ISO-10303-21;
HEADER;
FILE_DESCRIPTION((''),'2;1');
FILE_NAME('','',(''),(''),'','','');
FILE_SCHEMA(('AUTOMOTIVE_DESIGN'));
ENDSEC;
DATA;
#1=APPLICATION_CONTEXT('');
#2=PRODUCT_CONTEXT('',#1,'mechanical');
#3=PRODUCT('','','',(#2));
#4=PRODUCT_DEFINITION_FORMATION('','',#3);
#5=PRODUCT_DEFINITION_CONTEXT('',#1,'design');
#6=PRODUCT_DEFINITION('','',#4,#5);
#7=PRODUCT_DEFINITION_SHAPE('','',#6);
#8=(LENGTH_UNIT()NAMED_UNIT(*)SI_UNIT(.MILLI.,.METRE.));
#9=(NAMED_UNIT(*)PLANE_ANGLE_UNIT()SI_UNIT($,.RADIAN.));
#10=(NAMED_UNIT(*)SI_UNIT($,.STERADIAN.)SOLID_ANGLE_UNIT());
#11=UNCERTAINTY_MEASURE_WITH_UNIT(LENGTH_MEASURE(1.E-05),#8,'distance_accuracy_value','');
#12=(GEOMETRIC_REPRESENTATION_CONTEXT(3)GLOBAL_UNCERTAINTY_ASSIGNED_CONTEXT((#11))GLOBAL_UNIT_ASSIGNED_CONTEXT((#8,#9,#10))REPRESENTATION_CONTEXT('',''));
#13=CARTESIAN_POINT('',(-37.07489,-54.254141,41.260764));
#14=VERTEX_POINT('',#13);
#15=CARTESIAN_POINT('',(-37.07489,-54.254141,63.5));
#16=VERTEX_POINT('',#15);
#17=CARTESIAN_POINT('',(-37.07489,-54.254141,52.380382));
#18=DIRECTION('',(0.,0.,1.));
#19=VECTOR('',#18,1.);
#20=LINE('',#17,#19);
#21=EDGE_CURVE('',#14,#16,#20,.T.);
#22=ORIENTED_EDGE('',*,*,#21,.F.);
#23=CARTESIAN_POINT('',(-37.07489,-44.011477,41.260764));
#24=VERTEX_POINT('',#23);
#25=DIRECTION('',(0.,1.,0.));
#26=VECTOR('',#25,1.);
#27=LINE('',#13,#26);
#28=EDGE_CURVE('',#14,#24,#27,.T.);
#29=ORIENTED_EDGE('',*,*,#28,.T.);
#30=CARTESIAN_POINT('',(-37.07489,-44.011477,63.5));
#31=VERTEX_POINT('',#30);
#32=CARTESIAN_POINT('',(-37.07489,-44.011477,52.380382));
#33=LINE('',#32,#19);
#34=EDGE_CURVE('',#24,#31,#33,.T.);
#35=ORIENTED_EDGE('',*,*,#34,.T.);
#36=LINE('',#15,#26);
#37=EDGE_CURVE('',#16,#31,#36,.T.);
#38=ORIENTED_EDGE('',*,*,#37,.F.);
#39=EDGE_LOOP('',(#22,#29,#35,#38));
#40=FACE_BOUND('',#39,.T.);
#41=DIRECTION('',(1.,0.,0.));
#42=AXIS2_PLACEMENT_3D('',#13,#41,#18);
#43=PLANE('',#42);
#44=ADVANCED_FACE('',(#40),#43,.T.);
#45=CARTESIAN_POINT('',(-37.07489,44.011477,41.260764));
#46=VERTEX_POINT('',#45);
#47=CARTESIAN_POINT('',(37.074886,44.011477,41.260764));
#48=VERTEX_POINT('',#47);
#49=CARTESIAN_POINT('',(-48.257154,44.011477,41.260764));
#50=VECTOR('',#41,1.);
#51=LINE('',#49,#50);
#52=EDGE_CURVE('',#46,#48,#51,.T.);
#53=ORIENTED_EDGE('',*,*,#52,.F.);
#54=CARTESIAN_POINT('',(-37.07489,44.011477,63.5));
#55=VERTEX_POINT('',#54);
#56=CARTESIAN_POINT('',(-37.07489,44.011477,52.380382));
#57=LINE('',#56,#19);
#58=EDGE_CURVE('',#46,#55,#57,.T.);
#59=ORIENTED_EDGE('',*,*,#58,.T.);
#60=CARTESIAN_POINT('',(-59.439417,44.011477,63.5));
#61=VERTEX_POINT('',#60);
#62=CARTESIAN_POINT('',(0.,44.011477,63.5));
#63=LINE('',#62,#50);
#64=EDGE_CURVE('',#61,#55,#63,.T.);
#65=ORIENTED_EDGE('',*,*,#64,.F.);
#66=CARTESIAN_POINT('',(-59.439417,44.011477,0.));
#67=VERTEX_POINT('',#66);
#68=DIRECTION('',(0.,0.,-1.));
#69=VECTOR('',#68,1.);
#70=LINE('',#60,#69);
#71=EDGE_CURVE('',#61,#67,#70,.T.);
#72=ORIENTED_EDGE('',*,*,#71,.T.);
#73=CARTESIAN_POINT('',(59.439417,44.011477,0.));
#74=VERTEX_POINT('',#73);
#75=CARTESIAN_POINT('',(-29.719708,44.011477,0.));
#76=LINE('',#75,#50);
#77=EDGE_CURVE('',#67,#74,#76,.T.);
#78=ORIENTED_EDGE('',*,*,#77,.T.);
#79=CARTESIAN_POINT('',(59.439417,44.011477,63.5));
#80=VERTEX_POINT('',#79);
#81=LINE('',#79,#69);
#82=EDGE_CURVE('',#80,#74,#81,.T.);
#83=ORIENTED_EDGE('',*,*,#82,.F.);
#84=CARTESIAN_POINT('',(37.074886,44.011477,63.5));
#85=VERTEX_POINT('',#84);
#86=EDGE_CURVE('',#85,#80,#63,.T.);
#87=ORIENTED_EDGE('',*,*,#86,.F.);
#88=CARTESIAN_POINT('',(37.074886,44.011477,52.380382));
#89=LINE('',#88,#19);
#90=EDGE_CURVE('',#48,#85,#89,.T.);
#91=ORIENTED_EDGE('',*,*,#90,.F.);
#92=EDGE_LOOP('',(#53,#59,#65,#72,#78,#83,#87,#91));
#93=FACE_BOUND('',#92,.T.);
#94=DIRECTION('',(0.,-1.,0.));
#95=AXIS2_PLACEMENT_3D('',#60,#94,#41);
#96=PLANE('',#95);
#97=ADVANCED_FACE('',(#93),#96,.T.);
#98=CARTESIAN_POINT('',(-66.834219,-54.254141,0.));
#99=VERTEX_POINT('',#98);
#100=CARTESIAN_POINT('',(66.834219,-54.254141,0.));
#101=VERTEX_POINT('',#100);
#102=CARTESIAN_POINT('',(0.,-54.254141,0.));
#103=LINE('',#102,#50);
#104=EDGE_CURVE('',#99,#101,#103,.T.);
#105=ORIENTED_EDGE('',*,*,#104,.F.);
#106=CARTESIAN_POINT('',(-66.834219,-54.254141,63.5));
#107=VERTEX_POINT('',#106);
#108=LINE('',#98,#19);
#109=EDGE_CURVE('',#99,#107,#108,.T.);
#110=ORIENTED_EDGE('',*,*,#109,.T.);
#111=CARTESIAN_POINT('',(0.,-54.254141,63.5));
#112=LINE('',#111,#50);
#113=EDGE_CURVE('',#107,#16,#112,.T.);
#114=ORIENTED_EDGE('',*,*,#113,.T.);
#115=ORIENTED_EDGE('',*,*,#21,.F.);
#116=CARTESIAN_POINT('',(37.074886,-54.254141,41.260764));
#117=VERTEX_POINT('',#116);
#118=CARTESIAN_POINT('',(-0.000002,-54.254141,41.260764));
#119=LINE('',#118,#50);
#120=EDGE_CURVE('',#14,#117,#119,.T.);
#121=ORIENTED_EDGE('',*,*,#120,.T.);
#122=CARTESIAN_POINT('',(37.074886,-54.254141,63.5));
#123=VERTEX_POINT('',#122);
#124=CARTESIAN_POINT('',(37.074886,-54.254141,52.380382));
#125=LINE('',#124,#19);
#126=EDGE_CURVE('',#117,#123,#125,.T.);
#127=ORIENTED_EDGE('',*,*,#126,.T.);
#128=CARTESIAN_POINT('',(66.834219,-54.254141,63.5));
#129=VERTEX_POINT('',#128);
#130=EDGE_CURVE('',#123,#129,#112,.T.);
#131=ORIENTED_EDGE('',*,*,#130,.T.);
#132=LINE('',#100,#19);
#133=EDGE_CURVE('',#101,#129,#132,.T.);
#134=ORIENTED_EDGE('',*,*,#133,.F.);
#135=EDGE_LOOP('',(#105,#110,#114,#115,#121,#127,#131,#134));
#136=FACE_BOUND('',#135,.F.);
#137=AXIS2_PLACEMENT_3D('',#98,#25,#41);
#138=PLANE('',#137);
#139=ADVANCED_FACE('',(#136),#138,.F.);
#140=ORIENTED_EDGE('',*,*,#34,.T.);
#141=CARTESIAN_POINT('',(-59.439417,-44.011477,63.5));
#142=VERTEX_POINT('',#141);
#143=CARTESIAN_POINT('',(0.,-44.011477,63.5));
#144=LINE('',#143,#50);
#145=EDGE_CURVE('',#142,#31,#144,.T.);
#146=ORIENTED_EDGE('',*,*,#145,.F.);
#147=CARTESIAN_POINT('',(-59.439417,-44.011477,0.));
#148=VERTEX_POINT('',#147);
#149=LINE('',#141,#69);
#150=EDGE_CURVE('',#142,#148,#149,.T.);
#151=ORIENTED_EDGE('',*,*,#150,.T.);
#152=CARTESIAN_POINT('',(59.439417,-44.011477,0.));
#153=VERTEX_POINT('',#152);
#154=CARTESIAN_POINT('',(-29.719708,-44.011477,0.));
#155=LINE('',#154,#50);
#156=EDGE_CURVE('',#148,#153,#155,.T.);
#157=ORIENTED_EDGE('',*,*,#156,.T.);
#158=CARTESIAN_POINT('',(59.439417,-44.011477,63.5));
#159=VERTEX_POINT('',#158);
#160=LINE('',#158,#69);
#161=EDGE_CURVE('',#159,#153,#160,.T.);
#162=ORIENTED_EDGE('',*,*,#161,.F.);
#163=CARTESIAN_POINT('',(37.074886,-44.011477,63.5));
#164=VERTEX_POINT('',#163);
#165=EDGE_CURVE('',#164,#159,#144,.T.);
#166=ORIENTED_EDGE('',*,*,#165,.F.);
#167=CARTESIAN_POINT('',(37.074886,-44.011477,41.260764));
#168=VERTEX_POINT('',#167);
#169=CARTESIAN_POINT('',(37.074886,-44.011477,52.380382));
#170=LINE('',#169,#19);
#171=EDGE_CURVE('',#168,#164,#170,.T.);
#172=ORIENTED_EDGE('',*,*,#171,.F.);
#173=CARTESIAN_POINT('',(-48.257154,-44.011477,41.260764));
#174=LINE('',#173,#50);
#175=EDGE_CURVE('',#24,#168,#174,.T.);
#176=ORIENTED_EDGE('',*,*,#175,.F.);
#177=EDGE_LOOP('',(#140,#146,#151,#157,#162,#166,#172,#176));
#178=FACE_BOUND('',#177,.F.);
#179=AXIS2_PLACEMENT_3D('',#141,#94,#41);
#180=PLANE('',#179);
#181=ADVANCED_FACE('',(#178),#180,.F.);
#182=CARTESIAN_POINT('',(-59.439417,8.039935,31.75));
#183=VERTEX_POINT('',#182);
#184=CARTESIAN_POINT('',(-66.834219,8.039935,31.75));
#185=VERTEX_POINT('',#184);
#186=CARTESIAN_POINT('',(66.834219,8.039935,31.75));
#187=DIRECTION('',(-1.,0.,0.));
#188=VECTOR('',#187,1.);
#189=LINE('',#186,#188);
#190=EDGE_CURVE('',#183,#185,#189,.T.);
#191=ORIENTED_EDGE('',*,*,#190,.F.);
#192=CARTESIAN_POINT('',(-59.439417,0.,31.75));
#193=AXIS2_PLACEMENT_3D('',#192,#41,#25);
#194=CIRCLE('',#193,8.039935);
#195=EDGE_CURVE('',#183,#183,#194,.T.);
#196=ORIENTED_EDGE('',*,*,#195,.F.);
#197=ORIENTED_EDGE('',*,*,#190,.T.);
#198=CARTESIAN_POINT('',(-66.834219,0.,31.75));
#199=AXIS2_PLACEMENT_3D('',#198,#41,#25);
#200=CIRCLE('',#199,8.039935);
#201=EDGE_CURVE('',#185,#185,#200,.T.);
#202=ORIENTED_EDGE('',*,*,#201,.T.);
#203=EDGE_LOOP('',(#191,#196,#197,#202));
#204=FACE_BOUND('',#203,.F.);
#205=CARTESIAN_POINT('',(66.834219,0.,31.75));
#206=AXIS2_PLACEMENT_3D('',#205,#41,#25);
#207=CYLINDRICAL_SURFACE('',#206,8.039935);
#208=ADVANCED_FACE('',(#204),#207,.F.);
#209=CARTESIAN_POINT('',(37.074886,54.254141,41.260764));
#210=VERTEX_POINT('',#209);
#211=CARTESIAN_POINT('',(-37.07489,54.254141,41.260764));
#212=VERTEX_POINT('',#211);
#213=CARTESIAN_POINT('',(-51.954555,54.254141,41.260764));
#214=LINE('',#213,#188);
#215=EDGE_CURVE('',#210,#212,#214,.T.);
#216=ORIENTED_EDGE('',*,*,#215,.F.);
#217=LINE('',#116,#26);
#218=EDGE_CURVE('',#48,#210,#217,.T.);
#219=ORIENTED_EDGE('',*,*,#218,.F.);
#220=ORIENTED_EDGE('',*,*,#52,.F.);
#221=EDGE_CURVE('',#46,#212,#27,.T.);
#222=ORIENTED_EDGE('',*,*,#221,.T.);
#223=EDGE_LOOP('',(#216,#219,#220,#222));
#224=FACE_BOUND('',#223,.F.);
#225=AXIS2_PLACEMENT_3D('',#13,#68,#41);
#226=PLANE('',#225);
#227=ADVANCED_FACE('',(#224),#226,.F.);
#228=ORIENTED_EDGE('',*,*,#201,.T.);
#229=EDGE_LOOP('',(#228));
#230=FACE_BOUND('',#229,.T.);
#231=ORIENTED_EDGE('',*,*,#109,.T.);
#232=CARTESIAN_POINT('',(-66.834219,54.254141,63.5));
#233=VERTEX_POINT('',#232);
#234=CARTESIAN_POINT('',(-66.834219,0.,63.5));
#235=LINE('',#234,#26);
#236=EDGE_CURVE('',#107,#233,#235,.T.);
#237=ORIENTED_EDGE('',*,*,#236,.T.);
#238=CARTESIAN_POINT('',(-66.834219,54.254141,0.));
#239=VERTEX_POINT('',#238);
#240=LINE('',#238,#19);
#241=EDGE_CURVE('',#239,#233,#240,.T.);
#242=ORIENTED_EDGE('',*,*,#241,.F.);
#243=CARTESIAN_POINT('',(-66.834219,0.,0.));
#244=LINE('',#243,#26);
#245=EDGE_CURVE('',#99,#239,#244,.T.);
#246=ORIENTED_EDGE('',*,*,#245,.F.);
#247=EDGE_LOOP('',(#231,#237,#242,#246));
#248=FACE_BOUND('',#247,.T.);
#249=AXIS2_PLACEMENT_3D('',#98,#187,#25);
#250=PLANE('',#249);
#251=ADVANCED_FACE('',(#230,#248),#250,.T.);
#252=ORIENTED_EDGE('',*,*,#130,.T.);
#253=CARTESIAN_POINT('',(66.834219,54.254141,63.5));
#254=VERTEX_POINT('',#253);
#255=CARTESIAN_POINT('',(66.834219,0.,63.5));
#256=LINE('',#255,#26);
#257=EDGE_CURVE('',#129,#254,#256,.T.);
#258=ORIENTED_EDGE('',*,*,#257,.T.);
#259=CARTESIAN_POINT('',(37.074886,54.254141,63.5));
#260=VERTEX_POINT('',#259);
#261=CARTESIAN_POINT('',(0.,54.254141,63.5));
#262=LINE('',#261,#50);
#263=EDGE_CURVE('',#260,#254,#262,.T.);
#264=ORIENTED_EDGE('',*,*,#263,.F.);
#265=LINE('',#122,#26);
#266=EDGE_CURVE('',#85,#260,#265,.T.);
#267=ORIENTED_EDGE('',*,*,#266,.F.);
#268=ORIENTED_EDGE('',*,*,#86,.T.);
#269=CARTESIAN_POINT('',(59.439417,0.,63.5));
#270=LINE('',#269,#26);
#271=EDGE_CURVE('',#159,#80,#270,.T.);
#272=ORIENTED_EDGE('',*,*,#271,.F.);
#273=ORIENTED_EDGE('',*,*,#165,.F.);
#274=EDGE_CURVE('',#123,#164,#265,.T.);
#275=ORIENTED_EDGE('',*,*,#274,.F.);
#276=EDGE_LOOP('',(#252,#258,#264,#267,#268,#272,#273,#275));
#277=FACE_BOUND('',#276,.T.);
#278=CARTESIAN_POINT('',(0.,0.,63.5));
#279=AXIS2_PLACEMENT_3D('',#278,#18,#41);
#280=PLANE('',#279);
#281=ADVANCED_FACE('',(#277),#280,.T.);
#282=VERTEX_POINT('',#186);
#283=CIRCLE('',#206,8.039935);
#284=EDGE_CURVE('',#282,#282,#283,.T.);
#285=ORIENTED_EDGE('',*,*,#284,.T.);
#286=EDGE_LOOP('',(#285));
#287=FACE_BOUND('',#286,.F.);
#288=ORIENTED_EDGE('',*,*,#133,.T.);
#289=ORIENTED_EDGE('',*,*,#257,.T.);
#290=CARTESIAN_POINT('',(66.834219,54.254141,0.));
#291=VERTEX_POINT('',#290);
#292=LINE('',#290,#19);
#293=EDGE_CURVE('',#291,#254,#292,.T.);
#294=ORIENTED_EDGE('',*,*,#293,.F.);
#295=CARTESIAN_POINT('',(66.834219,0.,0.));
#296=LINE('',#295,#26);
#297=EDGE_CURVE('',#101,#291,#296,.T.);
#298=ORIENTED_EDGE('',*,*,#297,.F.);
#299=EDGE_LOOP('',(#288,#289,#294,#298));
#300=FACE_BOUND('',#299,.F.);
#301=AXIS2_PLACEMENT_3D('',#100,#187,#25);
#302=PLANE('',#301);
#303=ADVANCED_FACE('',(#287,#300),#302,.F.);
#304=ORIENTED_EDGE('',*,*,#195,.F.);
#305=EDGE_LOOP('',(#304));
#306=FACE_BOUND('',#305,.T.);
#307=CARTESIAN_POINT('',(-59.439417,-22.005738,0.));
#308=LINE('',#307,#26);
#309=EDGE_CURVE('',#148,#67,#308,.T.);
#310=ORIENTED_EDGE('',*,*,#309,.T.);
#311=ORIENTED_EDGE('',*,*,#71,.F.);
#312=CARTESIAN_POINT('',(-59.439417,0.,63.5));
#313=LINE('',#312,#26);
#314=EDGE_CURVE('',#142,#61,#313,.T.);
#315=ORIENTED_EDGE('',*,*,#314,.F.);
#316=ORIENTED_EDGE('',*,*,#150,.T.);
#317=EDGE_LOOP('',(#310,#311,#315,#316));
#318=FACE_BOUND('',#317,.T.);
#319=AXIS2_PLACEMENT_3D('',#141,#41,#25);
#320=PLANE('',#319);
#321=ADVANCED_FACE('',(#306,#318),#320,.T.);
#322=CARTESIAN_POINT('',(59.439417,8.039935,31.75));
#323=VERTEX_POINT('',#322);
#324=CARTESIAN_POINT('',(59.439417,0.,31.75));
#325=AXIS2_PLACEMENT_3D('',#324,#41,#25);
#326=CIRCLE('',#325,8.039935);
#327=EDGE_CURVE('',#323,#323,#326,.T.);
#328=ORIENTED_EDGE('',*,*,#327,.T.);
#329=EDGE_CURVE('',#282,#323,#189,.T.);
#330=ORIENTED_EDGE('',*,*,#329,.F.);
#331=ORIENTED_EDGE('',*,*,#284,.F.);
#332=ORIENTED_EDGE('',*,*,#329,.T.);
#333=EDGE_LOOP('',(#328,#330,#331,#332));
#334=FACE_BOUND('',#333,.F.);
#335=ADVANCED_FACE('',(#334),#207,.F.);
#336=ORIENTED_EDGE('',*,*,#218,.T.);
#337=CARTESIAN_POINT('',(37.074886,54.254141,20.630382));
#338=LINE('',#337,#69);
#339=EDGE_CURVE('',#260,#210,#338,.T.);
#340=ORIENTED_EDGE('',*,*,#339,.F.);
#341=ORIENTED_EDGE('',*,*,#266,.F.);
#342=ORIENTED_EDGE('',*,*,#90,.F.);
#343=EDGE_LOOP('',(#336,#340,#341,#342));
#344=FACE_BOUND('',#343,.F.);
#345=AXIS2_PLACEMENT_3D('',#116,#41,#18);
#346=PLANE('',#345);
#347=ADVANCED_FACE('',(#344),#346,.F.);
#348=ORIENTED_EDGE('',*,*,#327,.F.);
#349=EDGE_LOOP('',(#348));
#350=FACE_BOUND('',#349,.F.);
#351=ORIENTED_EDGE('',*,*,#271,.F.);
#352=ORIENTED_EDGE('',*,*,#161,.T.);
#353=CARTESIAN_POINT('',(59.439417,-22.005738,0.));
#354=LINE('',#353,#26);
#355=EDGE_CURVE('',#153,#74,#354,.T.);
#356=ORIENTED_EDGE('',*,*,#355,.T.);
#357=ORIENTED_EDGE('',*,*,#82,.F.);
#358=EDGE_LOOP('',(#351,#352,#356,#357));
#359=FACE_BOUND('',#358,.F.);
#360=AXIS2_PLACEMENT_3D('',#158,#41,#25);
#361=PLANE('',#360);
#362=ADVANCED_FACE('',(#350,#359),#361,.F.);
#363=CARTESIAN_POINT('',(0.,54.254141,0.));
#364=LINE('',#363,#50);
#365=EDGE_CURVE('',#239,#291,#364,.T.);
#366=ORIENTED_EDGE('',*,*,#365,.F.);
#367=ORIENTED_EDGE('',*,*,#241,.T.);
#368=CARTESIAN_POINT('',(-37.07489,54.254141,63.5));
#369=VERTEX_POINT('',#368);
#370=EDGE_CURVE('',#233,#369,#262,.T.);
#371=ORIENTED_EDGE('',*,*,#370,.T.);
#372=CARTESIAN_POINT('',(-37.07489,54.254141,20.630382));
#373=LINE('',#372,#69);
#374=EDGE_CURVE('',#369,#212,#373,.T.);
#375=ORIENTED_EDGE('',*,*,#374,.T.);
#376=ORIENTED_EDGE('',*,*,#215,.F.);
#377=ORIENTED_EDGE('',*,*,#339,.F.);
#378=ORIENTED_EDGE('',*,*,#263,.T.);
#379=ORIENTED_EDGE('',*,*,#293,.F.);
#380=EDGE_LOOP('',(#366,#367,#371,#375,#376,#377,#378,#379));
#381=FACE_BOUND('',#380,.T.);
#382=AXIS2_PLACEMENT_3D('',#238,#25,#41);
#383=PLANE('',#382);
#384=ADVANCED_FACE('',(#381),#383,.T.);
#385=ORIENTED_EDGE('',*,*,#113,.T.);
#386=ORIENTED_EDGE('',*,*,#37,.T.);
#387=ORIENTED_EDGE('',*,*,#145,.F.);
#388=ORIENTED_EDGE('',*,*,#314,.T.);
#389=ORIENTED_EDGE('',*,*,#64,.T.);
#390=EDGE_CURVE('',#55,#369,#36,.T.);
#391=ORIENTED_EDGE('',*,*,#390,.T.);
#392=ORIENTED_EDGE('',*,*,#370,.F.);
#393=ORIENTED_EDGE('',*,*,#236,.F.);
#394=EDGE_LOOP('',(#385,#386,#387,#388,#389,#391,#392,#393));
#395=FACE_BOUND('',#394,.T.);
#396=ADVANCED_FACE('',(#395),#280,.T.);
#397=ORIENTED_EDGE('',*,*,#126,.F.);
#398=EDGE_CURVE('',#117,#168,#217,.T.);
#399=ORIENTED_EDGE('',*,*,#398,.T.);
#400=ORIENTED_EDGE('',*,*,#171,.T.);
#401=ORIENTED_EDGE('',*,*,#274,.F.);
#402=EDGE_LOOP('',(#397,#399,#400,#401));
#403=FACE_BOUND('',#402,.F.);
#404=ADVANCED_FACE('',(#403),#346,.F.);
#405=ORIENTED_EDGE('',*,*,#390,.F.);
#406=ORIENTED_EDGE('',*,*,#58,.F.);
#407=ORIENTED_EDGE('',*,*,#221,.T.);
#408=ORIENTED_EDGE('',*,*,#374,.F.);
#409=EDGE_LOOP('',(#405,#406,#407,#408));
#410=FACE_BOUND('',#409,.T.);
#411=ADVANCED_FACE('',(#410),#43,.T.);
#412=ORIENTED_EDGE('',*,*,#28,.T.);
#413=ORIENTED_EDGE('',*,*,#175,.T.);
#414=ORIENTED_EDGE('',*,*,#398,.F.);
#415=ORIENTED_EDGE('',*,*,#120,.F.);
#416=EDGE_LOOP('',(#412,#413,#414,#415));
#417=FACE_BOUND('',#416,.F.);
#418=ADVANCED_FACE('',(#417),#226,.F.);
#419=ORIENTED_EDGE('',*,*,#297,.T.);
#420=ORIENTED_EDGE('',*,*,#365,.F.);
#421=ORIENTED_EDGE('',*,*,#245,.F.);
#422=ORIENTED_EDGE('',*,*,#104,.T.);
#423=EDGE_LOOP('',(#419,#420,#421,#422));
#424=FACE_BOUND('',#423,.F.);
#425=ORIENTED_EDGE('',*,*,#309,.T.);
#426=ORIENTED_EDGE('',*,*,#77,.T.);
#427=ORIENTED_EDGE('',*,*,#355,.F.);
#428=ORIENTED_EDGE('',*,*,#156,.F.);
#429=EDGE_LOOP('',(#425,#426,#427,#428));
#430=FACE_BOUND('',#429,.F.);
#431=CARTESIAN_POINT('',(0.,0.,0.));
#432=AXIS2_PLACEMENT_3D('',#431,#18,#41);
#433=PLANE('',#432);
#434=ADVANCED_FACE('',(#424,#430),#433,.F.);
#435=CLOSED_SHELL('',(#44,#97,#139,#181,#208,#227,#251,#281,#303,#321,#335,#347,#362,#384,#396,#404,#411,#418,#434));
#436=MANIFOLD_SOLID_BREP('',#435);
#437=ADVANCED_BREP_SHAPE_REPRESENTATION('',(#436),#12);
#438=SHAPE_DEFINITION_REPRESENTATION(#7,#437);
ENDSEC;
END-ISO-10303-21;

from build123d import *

# Parameters (mm, degrees)
F0_W     = 133.668438
F0_H     = 108.508282
F1_DEPTH = 63.5
F2_R     = 8.039935
F3_DEPTH = 133.669438
F4_W     = 118.878834
F4_H     = 88.022954
F5_DEPTH = 63.501
F6_W     = 74.149776
F6_H     = 22.239236
F7_DEPTH = 108.509281


with BuildPart() as f1:
    # F0 (on Top) → F1 (new body)
    with BuildSketch(Plane.XY):
        Rectangle(F0_W, F0_H)
    extrude(amount=F1_DEPTH)

    # F2 (on face) → F3 (cut, through all)
    with BuildSketch(Plane.YZ.offset(66.834219)):
        with Locations((0, 31.75)):
            Circle(F2_R)
    extrude(amount=-F3_DEPTH, mode=Mode.SUBTRACT)

    # F4 (on face) → F5 (cut, through all)
    with BuildSketch(Plane.XY.offset(63.5)):
        Rectangle(F4_W, F4_H)
    extrude(amount=-F5_DEPTH, mode=Mode.SUBTRACT)

    # F6 (on face) → F7 (cut, through all)
    with BuildSketch(Plane.XZ.offset(54.254141)):
        with Locations((-2e-06, 52.380382)):
            Rectangle(F6_W, F6_H)
    extrude(amount=-F7_DEPTH, mode=Mode.SUBTRACT)


solid = f1.part
